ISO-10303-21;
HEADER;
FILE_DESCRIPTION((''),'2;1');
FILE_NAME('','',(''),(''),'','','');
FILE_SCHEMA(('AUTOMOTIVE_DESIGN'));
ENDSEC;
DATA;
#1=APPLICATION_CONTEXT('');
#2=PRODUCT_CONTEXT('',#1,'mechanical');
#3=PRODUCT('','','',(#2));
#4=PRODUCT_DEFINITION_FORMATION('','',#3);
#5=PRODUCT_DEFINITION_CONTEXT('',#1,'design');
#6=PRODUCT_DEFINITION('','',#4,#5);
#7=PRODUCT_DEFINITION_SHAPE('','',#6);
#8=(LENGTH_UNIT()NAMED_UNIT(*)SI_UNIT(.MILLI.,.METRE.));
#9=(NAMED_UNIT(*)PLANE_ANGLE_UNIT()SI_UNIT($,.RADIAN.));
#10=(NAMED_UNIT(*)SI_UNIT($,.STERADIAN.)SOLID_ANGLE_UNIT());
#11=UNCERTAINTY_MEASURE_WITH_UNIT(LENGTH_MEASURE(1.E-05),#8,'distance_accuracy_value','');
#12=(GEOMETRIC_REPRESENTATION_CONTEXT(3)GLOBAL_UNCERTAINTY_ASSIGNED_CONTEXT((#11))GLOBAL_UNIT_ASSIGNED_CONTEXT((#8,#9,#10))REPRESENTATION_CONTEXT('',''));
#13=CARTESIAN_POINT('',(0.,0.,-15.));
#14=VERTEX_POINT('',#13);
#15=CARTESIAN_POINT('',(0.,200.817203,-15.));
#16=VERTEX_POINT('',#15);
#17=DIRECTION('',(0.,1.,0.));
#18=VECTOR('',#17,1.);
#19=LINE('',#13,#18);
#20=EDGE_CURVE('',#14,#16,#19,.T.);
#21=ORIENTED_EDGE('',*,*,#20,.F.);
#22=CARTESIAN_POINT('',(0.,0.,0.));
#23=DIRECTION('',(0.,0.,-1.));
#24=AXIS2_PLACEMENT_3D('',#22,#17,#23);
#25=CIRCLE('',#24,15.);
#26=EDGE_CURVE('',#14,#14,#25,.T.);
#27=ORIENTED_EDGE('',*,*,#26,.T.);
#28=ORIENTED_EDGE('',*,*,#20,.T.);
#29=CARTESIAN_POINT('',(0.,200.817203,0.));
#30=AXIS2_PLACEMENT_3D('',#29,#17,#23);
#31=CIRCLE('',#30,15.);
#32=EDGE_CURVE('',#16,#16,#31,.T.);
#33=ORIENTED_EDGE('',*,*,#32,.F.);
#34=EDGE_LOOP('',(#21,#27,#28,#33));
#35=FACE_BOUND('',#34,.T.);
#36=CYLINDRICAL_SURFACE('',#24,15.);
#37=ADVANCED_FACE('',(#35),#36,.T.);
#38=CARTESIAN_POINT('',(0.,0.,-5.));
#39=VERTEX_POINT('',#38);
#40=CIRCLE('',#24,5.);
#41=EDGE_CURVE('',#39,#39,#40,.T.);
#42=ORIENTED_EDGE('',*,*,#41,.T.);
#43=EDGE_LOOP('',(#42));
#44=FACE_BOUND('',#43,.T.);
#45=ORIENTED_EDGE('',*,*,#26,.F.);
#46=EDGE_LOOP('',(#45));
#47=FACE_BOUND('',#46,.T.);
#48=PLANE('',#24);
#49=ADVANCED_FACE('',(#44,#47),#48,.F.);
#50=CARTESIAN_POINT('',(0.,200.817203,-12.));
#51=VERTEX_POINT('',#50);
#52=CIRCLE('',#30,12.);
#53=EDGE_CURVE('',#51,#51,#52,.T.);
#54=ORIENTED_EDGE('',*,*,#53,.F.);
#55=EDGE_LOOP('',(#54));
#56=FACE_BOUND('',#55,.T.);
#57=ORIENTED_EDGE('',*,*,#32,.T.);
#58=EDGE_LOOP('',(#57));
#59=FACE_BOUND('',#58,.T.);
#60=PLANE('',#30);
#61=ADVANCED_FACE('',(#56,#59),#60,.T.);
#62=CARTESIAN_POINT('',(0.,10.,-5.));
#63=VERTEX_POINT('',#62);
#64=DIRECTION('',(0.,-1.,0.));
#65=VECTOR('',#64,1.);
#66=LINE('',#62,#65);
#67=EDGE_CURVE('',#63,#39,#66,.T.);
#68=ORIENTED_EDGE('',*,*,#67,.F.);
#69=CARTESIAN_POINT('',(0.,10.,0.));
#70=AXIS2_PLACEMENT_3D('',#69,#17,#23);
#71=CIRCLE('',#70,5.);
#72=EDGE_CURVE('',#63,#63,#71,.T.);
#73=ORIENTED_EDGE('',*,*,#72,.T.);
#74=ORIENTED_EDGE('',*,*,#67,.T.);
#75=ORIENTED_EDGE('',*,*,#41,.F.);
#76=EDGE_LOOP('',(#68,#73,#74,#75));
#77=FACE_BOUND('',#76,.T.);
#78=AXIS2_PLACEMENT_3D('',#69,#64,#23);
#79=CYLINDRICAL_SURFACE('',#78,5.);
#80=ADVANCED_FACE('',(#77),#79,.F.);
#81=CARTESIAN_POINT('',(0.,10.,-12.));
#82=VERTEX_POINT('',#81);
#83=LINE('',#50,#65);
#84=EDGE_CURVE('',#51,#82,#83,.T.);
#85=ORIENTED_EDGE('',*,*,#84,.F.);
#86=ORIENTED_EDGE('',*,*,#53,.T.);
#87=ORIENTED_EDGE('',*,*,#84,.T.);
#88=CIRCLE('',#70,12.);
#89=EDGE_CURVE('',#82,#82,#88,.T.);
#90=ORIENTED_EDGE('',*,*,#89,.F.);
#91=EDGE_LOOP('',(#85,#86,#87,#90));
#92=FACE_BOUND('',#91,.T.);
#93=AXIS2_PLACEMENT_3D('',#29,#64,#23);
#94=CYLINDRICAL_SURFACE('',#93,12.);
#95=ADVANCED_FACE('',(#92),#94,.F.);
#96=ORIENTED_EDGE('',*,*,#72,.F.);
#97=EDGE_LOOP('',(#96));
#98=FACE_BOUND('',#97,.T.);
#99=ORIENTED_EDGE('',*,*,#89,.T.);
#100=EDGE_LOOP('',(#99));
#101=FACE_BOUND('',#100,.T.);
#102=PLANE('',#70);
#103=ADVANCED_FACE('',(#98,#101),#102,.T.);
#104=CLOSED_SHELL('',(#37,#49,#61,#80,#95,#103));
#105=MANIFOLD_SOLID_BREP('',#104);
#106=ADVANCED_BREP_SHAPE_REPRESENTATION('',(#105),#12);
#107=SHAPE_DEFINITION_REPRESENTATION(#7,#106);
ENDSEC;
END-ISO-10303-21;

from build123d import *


with BuildPart() as part:
    # Эскиз2 → Повернуть1 (revolve)
    with BuildSketch(Plane(origin=(0, 0, 0), x_dir=(0, 0, -1), z_dir=(1, 0, 0))):
        Polygon((5, 0), (15, 0), (15, 200.817203122), (12, 200.817203122), (12, 10), (5, 10), align=None)
    revolve(axis=Axis((0, 0, 0), (0, 1, 0)))


solid = part.part
